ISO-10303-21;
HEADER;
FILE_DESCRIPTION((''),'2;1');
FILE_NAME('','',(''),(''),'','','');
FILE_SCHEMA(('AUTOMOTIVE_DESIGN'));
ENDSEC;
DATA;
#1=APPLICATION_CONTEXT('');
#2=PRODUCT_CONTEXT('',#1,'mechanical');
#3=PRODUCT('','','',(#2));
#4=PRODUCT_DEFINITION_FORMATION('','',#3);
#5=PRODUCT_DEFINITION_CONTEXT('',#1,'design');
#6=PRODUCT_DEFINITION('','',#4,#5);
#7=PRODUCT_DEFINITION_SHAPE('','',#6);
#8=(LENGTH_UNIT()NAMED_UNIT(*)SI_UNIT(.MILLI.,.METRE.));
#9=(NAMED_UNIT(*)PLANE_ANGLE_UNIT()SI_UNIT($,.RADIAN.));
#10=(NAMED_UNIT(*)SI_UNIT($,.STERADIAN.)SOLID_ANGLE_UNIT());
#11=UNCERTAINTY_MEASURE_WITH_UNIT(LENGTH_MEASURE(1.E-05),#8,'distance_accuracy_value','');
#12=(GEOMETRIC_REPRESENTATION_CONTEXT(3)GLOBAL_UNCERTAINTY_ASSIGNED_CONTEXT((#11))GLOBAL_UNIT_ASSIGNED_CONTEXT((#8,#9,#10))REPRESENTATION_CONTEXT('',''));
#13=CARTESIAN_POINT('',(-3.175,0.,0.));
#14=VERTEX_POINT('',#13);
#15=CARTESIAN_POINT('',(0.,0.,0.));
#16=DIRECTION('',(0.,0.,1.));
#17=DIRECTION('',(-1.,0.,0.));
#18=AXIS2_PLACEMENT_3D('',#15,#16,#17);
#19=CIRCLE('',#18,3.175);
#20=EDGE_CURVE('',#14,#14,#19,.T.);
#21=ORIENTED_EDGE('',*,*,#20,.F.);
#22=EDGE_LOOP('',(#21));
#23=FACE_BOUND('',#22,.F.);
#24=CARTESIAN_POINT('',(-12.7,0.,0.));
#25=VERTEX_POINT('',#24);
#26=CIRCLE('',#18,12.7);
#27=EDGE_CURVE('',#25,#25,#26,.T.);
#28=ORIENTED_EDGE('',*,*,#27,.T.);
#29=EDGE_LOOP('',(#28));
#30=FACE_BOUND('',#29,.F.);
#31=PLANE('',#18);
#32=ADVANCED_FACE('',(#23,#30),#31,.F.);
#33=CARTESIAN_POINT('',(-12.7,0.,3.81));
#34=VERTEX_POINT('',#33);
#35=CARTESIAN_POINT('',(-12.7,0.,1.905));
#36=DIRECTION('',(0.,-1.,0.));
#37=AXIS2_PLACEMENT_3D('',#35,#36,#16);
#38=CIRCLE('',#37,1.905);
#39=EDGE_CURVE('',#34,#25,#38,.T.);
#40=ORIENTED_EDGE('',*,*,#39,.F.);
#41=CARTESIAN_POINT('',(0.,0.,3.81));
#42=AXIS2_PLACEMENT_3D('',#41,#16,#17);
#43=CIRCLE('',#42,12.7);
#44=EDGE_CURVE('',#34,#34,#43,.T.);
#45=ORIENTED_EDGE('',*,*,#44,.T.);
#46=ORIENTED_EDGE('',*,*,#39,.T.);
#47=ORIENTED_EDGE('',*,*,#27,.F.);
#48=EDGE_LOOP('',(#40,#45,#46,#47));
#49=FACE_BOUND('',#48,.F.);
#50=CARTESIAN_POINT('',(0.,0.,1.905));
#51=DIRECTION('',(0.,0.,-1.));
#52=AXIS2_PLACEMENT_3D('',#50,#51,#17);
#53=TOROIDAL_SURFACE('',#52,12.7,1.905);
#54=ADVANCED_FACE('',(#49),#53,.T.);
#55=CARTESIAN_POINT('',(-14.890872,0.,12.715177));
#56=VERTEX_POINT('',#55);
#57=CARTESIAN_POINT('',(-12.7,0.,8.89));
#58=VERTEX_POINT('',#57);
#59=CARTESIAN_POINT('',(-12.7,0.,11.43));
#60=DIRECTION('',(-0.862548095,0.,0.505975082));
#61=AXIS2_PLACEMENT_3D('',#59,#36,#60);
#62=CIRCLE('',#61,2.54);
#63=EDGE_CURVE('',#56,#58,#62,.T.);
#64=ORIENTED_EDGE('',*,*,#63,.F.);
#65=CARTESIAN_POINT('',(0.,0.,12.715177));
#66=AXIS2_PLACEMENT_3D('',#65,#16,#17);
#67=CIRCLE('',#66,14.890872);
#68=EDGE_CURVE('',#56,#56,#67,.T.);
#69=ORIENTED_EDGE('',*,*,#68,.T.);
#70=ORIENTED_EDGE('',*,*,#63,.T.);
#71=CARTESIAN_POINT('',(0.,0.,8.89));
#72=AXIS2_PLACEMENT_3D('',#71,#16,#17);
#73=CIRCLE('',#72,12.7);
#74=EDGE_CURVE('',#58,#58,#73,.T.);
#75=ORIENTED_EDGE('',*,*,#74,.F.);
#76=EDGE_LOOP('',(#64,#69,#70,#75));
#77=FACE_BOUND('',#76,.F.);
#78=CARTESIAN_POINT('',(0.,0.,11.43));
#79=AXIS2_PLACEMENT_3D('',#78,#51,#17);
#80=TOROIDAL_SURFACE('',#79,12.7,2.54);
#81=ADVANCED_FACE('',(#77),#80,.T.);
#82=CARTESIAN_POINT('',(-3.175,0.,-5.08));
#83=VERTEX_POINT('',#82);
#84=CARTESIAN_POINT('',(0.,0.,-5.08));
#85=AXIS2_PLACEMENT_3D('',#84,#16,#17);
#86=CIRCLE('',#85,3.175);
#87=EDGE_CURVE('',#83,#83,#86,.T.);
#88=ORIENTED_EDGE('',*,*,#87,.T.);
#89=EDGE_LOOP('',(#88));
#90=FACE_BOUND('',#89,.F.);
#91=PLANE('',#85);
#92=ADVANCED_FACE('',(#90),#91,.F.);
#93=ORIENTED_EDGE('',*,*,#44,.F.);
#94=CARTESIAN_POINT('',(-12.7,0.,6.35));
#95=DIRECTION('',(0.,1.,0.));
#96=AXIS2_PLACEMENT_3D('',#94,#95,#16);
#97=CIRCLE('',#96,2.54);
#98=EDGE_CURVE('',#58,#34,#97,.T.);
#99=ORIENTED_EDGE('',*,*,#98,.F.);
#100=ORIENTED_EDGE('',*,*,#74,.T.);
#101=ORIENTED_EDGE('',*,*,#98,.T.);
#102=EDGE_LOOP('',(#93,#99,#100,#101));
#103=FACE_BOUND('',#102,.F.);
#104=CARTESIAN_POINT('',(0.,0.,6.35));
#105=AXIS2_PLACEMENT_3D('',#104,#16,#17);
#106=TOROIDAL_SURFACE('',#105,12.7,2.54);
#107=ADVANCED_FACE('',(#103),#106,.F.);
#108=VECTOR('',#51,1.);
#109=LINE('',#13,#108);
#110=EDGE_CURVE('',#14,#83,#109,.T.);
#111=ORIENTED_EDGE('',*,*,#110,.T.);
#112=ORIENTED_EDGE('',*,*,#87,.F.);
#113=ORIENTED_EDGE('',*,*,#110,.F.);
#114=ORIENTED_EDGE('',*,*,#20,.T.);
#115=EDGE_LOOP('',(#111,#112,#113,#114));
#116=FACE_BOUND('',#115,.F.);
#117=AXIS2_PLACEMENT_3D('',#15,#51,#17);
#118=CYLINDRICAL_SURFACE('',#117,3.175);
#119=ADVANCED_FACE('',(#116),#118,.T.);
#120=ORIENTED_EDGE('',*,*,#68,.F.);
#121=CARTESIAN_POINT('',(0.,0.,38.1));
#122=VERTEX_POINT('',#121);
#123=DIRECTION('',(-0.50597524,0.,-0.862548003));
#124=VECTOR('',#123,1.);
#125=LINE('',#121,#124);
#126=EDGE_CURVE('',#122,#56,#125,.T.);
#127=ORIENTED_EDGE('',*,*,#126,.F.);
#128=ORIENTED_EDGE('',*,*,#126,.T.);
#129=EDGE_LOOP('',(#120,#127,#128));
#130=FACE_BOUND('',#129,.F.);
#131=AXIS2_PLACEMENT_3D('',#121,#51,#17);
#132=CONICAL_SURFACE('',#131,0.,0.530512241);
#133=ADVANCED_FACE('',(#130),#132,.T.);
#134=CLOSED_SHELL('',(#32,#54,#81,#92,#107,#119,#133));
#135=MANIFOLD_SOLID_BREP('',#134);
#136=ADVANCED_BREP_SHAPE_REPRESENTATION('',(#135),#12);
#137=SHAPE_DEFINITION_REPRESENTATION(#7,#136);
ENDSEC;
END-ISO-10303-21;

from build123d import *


with BuildPart() as f1:
    # F0 (on Front) → F1 (revolve)
    with BuildSketch(Plane.XZ):
        with BuildLine():
            Line((-3.175, -5.08), (0, -5.08))
            Line((0, -5.08), (0, 38.1))
            Line((0, 38.1), (-14.890872, 12.715177))
            ThreePointArc((-14.890872, 12.715177), (-14.904081, 10.167611), (-12.7, 8.89))
            ThreePointArc((-12.7, 8.89), (-10.16, 6.35), (-12.7, 3.81))
            ThreePointArc((-12.7, 3.81), (-14.605, 1.905), (-12.7, 0))
            Line((-12.7, 0), (-3.175, 0))
            Line((-3.175, 0), (-3.175, -5.08))
        make_face()
    revolve(axis=Axis((0, 0, 16.51), (0, 0, 1)))


solid = f1.part
